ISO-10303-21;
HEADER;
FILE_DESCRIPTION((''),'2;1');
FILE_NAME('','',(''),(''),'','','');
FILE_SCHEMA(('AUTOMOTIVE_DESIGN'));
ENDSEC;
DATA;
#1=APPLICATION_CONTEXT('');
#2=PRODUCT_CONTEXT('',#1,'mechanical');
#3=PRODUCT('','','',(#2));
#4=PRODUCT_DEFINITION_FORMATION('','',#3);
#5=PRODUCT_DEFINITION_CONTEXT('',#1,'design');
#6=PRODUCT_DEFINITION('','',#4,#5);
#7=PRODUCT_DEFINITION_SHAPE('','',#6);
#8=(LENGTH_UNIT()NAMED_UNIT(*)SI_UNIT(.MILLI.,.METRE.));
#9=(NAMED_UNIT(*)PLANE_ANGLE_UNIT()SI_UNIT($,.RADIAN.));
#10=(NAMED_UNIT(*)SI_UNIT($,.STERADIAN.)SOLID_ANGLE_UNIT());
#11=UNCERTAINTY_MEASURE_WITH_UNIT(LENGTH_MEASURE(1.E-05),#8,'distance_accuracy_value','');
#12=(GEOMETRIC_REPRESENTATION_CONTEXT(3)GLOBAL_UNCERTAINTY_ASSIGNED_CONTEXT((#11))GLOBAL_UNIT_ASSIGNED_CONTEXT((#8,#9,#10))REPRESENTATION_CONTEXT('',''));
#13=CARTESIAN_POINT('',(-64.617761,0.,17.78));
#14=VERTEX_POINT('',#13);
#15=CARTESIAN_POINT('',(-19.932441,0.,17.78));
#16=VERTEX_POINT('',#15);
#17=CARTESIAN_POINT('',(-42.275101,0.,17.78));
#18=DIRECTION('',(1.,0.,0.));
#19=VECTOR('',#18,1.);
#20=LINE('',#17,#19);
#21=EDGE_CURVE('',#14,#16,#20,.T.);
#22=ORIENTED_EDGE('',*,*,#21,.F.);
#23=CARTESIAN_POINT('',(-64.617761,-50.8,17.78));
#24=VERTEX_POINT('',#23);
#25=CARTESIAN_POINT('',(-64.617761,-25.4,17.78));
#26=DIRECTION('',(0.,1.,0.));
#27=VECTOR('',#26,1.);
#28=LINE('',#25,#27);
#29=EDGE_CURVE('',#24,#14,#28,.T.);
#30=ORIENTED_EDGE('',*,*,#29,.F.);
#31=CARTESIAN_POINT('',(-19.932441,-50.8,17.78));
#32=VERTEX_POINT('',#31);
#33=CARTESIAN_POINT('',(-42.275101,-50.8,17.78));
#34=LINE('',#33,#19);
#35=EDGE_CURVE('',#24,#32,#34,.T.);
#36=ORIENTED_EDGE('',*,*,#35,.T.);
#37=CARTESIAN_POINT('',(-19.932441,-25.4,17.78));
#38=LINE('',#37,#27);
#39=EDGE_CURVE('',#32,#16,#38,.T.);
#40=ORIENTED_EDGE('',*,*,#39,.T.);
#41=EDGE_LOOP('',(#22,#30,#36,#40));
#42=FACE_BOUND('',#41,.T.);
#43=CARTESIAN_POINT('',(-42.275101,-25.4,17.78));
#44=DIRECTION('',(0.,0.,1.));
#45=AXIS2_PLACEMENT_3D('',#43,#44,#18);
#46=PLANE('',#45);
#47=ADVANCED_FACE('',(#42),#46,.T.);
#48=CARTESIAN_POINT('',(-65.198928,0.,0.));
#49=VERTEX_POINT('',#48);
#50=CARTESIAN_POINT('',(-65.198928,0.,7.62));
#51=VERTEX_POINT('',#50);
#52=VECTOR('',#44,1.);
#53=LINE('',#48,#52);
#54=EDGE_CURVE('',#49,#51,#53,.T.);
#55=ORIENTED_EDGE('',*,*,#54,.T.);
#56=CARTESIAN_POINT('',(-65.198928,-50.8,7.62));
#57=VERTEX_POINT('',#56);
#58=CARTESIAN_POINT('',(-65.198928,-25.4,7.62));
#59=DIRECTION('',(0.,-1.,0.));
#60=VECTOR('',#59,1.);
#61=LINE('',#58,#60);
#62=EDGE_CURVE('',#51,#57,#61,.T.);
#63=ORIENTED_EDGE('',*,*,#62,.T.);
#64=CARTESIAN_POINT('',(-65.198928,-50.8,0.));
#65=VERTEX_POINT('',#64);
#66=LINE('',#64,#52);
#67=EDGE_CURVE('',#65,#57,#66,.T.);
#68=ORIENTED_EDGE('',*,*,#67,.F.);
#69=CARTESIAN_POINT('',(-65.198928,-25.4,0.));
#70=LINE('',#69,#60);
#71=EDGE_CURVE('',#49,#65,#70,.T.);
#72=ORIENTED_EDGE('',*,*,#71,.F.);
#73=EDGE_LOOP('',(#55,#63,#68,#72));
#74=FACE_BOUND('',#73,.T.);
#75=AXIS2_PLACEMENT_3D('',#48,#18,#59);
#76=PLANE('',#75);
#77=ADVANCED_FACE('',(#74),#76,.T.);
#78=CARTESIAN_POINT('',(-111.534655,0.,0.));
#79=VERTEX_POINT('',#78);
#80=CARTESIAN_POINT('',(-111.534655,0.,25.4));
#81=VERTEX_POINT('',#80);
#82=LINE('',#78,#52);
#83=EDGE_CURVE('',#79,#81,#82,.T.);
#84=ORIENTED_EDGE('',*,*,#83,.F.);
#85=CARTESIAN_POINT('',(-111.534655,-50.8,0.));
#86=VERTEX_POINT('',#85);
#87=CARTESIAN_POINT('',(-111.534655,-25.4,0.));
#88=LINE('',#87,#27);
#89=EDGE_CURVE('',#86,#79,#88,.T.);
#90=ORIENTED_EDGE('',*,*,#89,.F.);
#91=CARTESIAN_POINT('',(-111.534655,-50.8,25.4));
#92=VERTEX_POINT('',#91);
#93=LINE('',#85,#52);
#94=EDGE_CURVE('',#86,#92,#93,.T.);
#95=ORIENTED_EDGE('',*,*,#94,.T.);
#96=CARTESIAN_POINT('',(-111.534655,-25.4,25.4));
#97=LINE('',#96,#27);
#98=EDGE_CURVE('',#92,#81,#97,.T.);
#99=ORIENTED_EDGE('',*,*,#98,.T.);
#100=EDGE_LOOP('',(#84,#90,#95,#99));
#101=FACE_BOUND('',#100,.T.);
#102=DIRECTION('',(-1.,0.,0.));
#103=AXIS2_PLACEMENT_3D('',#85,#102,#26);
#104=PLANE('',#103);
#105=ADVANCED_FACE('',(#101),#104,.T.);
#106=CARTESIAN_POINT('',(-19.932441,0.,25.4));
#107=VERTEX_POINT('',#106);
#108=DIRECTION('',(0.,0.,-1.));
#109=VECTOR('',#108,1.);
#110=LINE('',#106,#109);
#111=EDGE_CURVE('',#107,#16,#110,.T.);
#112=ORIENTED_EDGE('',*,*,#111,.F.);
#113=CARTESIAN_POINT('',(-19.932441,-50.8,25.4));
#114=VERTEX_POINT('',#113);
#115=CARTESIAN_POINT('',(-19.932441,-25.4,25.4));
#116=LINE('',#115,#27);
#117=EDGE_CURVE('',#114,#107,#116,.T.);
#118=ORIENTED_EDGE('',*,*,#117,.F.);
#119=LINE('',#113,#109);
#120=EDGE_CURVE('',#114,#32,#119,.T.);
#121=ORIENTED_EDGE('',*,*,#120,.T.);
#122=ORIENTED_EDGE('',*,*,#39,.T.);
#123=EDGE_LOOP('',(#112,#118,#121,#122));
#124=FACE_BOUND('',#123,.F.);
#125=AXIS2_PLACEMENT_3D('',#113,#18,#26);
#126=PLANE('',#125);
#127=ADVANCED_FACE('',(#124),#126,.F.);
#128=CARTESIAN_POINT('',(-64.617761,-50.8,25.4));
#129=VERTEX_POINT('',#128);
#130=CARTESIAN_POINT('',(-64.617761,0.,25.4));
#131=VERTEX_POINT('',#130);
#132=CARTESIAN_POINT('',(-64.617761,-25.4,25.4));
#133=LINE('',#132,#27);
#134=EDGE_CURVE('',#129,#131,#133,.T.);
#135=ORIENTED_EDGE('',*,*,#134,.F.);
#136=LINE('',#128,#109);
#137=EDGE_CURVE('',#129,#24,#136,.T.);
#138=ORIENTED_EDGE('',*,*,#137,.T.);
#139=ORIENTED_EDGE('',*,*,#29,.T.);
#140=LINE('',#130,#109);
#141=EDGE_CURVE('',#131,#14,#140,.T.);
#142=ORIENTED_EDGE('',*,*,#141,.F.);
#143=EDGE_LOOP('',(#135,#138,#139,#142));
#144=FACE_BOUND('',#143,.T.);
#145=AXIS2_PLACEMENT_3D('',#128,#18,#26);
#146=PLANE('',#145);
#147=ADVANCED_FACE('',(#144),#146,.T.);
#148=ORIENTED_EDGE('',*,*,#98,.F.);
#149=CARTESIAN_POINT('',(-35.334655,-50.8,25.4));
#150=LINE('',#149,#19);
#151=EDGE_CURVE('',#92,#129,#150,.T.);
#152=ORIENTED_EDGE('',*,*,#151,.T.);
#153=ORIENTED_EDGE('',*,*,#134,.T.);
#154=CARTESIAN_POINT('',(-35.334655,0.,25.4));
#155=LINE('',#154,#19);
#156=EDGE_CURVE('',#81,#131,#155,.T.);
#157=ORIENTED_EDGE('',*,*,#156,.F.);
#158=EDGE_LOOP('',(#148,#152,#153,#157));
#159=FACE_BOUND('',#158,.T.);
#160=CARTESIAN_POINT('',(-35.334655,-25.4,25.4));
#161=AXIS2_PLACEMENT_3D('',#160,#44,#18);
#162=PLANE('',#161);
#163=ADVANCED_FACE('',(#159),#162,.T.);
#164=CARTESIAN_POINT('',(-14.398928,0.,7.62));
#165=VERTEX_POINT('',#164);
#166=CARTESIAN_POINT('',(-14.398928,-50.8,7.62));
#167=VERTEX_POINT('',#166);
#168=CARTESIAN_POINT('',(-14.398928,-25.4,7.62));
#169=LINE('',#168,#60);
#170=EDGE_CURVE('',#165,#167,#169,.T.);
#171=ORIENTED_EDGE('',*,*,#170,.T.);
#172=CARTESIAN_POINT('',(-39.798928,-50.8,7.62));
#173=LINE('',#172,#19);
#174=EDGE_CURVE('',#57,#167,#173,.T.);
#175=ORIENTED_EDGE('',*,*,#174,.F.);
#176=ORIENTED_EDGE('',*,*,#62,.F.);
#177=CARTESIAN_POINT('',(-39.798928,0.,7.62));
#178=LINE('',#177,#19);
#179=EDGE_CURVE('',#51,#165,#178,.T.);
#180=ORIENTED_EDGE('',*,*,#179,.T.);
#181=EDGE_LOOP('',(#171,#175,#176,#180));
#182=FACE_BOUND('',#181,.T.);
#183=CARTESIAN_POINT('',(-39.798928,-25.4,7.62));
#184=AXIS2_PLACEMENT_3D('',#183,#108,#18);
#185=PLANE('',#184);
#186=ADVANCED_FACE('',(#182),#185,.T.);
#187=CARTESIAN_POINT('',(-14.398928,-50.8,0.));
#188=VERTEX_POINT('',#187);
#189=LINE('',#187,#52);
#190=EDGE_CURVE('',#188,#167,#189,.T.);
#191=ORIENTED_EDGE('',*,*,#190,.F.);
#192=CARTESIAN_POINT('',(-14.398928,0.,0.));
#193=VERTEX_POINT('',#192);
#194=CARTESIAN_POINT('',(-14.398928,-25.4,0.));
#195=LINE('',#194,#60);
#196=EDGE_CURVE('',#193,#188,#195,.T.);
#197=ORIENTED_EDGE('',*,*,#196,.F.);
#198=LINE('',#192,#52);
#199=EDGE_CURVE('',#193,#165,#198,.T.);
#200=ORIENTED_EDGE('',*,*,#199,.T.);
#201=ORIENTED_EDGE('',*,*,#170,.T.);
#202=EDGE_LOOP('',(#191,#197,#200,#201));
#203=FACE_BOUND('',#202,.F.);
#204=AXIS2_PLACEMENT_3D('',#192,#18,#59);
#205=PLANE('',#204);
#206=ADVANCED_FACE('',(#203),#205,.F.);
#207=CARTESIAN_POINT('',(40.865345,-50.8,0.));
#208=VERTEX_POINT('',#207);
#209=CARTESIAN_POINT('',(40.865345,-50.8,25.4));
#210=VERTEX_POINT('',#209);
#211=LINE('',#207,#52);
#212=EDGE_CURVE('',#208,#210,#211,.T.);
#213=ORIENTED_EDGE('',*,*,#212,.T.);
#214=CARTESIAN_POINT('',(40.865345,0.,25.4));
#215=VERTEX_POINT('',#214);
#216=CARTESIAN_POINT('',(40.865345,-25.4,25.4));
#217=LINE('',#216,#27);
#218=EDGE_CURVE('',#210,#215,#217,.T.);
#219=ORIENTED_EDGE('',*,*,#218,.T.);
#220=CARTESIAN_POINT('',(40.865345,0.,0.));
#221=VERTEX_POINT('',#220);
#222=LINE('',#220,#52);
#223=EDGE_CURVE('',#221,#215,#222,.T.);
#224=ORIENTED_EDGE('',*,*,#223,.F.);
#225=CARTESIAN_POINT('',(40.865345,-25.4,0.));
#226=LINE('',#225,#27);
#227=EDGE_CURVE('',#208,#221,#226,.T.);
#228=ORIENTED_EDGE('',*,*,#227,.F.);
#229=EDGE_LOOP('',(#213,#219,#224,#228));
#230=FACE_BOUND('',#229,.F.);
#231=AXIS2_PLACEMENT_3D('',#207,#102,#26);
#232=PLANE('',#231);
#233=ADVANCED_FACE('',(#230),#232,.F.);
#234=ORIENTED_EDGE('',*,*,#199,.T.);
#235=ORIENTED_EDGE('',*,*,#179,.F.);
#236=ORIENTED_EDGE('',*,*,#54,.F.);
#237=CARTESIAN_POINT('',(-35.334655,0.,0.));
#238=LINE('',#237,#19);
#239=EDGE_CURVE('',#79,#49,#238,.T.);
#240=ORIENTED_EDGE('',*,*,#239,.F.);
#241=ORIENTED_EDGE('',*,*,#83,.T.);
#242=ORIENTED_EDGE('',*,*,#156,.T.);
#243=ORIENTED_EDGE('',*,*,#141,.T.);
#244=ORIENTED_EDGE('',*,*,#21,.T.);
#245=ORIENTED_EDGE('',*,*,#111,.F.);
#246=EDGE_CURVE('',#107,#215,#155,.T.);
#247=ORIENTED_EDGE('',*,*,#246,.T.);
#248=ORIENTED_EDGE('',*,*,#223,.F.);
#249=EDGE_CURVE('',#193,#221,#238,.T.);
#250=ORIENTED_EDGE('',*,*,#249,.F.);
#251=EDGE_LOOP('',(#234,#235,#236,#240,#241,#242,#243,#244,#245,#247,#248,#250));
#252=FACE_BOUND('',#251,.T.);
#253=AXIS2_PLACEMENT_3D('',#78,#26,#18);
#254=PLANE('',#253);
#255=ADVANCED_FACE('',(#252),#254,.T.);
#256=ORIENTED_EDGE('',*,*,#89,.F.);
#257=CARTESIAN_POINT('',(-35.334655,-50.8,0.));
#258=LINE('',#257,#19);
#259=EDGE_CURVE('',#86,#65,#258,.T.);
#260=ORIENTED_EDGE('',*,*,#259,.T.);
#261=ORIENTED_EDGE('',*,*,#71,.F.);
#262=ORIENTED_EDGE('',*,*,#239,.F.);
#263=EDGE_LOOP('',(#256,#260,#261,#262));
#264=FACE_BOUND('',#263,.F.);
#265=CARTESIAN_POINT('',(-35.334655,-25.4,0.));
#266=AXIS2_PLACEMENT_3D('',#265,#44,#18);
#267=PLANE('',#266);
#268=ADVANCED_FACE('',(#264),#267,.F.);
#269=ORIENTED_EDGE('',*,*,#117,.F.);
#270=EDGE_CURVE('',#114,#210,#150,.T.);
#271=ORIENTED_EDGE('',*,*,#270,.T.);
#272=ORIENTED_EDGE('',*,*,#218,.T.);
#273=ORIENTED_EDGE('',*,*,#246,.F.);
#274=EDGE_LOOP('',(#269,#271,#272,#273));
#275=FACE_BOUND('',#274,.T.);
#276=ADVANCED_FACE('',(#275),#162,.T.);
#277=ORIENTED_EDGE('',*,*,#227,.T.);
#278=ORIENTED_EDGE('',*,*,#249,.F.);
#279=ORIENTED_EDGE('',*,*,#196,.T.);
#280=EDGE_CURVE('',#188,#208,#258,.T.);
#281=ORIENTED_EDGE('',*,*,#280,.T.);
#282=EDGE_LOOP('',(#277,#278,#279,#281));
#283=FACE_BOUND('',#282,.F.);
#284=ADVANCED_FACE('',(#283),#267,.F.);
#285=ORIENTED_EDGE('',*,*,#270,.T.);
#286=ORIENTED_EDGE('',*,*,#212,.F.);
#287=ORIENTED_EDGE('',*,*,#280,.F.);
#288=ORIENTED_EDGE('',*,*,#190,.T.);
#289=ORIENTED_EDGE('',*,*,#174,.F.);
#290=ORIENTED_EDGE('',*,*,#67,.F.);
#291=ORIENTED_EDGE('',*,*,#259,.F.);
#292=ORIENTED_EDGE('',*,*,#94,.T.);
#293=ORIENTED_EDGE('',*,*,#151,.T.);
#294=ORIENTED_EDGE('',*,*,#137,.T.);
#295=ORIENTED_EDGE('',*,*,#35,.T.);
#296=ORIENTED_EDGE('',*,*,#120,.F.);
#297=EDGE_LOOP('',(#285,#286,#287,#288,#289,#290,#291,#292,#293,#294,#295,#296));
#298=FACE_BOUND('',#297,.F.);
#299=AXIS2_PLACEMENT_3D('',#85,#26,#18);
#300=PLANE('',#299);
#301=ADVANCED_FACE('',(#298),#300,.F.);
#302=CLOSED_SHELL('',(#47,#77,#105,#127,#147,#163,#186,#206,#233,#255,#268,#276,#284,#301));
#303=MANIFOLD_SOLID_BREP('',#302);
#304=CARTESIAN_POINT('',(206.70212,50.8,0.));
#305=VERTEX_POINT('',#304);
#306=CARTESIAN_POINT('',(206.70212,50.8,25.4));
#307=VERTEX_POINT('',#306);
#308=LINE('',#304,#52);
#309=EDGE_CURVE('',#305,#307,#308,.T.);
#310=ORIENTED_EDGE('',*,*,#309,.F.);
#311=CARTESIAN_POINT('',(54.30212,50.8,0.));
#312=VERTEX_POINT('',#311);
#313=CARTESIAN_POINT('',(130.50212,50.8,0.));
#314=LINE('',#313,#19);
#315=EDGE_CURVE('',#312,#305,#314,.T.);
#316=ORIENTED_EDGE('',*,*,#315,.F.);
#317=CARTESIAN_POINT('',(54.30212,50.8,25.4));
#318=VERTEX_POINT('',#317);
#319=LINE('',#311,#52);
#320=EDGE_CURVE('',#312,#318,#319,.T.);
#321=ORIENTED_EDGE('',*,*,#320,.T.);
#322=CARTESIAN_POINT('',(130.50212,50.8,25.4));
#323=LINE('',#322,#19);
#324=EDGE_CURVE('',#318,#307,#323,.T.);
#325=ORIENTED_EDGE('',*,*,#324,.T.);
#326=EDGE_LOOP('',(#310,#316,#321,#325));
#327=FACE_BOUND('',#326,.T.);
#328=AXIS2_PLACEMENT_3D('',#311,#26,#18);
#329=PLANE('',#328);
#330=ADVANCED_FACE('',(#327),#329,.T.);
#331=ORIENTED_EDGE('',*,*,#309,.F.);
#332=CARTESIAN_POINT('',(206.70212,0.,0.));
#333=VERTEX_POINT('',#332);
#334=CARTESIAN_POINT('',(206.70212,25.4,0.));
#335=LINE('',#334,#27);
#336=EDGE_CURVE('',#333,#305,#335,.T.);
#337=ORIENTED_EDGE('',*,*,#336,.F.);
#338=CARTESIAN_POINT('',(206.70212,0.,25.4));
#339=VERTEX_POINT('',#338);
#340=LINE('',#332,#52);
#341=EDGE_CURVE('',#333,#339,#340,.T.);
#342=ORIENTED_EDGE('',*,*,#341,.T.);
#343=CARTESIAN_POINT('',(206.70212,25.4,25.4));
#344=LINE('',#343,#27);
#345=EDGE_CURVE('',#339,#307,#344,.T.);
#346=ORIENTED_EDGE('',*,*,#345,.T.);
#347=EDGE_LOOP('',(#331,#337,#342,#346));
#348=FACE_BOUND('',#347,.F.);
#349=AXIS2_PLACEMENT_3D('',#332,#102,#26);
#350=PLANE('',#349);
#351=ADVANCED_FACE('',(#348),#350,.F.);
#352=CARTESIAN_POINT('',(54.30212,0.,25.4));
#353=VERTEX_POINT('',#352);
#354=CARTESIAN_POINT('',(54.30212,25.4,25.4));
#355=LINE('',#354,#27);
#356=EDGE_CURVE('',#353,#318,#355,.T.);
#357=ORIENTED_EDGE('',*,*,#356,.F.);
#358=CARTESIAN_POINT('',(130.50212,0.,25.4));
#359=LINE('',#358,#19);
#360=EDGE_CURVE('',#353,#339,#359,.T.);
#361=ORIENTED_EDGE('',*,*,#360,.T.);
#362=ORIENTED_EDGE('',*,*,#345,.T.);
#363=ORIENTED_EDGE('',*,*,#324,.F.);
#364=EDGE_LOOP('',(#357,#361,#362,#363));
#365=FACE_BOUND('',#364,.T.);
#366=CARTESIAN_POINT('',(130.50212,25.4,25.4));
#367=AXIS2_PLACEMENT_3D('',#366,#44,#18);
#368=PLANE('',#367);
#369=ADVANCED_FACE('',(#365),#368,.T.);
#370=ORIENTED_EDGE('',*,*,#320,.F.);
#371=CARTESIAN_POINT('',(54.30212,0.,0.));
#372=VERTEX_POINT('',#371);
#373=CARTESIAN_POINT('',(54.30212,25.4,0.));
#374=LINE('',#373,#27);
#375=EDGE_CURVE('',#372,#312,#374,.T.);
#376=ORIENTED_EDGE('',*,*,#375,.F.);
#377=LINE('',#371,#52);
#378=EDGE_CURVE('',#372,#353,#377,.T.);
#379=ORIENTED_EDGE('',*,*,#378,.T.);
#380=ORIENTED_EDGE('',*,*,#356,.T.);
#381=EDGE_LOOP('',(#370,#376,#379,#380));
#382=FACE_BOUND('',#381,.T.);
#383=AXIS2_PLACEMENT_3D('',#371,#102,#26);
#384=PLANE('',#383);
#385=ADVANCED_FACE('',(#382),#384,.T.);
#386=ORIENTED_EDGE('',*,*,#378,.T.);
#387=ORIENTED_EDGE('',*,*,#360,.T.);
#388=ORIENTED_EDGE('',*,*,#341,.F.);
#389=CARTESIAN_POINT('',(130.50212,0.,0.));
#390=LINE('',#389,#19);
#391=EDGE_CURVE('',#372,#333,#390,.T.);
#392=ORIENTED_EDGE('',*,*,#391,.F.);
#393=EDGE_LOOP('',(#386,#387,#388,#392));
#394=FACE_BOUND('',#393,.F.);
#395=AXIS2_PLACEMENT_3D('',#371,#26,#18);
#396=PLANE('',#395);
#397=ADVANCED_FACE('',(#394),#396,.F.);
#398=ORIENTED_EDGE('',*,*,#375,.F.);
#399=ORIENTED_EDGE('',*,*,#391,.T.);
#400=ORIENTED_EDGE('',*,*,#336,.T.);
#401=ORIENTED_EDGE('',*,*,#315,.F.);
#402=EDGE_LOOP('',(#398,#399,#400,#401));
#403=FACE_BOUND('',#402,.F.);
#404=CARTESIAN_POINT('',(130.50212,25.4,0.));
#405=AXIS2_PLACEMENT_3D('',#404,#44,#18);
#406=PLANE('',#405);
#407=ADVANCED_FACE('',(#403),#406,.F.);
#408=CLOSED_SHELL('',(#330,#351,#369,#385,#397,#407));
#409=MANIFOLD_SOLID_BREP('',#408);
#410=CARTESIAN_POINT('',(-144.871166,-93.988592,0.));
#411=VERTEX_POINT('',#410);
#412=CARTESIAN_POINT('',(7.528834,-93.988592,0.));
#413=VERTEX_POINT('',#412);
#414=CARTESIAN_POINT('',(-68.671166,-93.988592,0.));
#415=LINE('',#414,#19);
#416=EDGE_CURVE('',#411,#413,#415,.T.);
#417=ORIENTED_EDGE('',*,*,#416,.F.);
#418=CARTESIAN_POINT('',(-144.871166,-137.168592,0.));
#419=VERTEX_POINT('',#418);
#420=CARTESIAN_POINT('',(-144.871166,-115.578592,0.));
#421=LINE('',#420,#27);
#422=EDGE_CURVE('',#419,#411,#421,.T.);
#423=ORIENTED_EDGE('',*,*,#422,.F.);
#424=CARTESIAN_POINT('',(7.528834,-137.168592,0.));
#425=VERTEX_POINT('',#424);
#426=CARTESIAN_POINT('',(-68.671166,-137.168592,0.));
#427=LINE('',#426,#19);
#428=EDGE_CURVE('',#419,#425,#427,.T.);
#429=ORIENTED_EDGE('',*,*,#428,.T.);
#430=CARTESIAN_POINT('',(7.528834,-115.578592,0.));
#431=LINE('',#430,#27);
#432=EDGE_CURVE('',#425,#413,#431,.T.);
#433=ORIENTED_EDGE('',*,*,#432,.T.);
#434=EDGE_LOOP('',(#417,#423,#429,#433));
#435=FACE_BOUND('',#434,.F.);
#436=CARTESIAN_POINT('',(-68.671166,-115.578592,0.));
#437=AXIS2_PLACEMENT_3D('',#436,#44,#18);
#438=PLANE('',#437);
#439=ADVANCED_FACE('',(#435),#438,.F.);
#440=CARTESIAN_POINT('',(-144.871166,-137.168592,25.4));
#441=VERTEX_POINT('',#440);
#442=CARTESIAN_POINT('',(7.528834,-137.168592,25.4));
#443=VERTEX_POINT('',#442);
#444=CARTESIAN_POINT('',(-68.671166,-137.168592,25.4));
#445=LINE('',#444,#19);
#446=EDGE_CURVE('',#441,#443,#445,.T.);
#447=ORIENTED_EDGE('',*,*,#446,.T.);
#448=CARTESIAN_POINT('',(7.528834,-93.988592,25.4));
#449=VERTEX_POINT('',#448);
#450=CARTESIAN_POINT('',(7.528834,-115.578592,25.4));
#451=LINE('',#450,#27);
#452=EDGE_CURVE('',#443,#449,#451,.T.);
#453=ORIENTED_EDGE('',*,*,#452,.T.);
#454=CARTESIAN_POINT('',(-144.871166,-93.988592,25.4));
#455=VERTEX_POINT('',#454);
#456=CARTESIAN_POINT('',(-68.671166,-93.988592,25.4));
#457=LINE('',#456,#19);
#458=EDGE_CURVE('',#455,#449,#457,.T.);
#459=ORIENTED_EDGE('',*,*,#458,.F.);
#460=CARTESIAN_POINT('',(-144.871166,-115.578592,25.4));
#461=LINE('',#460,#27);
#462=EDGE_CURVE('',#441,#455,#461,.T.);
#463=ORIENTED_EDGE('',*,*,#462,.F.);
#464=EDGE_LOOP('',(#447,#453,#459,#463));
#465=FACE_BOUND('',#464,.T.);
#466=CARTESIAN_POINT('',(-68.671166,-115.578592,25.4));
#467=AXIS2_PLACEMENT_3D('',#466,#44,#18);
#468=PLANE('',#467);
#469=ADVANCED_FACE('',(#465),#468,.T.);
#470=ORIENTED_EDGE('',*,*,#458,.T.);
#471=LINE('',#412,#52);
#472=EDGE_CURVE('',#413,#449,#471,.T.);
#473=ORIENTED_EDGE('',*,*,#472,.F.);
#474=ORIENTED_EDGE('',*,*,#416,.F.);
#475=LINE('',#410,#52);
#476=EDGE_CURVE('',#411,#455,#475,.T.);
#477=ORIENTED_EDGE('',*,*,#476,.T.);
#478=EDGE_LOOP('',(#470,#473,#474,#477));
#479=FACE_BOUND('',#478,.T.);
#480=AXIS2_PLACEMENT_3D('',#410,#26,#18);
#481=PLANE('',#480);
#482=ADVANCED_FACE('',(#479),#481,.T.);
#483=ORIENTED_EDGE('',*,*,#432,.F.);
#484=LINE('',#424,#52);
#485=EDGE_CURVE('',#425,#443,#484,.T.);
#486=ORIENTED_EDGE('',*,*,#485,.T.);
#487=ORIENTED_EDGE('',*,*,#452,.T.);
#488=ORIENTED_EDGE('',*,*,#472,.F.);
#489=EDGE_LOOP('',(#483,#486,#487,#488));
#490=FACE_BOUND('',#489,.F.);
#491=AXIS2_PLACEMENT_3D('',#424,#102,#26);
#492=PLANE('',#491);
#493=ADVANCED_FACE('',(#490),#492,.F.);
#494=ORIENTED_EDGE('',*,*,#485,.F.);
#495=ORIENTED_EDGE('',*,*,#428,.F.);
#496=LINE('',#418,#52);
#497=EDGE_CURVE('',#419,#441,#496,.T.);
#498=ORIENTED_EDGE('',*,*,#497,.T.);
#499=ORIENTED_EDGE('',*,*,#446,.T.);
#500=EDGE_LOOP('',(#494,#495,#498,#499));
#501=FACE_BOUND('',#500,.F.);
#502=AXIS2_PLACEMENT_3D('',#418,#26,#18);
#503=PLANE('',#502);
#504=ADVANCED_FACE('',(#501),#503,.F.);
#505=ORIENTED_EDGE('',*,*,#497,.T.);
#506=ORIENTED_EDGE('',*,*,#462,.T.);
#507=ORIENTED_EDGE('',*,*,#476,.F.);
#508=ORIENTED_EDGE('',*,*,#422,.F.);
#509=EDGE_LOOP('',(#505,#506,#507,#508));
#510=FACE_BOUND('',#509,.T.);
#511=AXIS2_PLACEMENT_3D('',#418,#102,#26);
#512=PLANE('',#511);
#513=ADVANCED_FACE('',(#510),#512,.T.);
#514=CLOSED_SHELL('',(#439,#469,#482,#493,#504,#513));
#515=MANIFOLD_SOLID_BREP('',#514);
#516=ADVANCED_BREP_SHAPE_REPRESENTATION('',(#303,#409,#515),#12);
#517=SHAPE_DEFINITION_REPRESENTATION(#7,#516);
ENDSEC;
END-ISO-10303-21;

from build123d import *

# Parameters (mm, degrees)
F0_W     = 152.4
F0_H     = 50.8
F1_DEPTH = 25.4
F2_W     = 44.685319
F2_H     = 50.8
F3_DEPTH = 7.62
F4_W     = 152.4
F4_H     = 43.18
F5_DEPTH = 25.4
F6_W     = 50.8
F6_H     = 50.8
F7_DEPTH = 7.62
F8_W     = 152.4
F8_H     = 50.8
F9_DEPTH = 25.4


with BuildPart() as f1:
    # F0 (on Top) → F1 (new body)
    with BuildSketch(Plane.XY):
        with Locations((-35.334655, -25.4)):
            Rectangle(F0_W, F0_H)
    extrude(amount=F1_DEPTH)

    # F2 (on face) → F3 (cut)
    with BuildSketch(Plane.XY.offset(25.4)):
        with Locations((-42.275101, -25.4)):
            Rectangle(F2_W, F2_H)
    extrude(amount=-F3_DEPTH, mode=Mode.SUBTRACT)

    # F6 (on face) → F7 (cut)
    with BuildSketch(Plane(origin=(0, 0, 0), x_dir=(1, 0, 0), z_dir=(0, 0, -1))):
        with Locations((-39.798928, 25.4)):
            Rectangle(F6_W, F6_H)
    extrude(amount=-F7_DEPTH, mode=Mode.SUBTRACT)


with BuildPart() as f5:
    # F4 (on Top) → F5 (new body)
    with BuildSketch(Plane.XY):
        with Locations((-68.671166, -115.578592)):
            Rectangle(F4_W, F4_H)
    extrude(amount=F5_DEPTH)


with BuildPart() as f9:
    # F8 (on Top) → F9 (new body)
    with BuildSketch(Plane.XY):
        with Locations((130.50212, 25.4)):
            Rectangle(F8_W, F8_H)
    extrude(amount=F9_DEPTH)


solid = Compound([f1.part, f5.part, f9.part])
